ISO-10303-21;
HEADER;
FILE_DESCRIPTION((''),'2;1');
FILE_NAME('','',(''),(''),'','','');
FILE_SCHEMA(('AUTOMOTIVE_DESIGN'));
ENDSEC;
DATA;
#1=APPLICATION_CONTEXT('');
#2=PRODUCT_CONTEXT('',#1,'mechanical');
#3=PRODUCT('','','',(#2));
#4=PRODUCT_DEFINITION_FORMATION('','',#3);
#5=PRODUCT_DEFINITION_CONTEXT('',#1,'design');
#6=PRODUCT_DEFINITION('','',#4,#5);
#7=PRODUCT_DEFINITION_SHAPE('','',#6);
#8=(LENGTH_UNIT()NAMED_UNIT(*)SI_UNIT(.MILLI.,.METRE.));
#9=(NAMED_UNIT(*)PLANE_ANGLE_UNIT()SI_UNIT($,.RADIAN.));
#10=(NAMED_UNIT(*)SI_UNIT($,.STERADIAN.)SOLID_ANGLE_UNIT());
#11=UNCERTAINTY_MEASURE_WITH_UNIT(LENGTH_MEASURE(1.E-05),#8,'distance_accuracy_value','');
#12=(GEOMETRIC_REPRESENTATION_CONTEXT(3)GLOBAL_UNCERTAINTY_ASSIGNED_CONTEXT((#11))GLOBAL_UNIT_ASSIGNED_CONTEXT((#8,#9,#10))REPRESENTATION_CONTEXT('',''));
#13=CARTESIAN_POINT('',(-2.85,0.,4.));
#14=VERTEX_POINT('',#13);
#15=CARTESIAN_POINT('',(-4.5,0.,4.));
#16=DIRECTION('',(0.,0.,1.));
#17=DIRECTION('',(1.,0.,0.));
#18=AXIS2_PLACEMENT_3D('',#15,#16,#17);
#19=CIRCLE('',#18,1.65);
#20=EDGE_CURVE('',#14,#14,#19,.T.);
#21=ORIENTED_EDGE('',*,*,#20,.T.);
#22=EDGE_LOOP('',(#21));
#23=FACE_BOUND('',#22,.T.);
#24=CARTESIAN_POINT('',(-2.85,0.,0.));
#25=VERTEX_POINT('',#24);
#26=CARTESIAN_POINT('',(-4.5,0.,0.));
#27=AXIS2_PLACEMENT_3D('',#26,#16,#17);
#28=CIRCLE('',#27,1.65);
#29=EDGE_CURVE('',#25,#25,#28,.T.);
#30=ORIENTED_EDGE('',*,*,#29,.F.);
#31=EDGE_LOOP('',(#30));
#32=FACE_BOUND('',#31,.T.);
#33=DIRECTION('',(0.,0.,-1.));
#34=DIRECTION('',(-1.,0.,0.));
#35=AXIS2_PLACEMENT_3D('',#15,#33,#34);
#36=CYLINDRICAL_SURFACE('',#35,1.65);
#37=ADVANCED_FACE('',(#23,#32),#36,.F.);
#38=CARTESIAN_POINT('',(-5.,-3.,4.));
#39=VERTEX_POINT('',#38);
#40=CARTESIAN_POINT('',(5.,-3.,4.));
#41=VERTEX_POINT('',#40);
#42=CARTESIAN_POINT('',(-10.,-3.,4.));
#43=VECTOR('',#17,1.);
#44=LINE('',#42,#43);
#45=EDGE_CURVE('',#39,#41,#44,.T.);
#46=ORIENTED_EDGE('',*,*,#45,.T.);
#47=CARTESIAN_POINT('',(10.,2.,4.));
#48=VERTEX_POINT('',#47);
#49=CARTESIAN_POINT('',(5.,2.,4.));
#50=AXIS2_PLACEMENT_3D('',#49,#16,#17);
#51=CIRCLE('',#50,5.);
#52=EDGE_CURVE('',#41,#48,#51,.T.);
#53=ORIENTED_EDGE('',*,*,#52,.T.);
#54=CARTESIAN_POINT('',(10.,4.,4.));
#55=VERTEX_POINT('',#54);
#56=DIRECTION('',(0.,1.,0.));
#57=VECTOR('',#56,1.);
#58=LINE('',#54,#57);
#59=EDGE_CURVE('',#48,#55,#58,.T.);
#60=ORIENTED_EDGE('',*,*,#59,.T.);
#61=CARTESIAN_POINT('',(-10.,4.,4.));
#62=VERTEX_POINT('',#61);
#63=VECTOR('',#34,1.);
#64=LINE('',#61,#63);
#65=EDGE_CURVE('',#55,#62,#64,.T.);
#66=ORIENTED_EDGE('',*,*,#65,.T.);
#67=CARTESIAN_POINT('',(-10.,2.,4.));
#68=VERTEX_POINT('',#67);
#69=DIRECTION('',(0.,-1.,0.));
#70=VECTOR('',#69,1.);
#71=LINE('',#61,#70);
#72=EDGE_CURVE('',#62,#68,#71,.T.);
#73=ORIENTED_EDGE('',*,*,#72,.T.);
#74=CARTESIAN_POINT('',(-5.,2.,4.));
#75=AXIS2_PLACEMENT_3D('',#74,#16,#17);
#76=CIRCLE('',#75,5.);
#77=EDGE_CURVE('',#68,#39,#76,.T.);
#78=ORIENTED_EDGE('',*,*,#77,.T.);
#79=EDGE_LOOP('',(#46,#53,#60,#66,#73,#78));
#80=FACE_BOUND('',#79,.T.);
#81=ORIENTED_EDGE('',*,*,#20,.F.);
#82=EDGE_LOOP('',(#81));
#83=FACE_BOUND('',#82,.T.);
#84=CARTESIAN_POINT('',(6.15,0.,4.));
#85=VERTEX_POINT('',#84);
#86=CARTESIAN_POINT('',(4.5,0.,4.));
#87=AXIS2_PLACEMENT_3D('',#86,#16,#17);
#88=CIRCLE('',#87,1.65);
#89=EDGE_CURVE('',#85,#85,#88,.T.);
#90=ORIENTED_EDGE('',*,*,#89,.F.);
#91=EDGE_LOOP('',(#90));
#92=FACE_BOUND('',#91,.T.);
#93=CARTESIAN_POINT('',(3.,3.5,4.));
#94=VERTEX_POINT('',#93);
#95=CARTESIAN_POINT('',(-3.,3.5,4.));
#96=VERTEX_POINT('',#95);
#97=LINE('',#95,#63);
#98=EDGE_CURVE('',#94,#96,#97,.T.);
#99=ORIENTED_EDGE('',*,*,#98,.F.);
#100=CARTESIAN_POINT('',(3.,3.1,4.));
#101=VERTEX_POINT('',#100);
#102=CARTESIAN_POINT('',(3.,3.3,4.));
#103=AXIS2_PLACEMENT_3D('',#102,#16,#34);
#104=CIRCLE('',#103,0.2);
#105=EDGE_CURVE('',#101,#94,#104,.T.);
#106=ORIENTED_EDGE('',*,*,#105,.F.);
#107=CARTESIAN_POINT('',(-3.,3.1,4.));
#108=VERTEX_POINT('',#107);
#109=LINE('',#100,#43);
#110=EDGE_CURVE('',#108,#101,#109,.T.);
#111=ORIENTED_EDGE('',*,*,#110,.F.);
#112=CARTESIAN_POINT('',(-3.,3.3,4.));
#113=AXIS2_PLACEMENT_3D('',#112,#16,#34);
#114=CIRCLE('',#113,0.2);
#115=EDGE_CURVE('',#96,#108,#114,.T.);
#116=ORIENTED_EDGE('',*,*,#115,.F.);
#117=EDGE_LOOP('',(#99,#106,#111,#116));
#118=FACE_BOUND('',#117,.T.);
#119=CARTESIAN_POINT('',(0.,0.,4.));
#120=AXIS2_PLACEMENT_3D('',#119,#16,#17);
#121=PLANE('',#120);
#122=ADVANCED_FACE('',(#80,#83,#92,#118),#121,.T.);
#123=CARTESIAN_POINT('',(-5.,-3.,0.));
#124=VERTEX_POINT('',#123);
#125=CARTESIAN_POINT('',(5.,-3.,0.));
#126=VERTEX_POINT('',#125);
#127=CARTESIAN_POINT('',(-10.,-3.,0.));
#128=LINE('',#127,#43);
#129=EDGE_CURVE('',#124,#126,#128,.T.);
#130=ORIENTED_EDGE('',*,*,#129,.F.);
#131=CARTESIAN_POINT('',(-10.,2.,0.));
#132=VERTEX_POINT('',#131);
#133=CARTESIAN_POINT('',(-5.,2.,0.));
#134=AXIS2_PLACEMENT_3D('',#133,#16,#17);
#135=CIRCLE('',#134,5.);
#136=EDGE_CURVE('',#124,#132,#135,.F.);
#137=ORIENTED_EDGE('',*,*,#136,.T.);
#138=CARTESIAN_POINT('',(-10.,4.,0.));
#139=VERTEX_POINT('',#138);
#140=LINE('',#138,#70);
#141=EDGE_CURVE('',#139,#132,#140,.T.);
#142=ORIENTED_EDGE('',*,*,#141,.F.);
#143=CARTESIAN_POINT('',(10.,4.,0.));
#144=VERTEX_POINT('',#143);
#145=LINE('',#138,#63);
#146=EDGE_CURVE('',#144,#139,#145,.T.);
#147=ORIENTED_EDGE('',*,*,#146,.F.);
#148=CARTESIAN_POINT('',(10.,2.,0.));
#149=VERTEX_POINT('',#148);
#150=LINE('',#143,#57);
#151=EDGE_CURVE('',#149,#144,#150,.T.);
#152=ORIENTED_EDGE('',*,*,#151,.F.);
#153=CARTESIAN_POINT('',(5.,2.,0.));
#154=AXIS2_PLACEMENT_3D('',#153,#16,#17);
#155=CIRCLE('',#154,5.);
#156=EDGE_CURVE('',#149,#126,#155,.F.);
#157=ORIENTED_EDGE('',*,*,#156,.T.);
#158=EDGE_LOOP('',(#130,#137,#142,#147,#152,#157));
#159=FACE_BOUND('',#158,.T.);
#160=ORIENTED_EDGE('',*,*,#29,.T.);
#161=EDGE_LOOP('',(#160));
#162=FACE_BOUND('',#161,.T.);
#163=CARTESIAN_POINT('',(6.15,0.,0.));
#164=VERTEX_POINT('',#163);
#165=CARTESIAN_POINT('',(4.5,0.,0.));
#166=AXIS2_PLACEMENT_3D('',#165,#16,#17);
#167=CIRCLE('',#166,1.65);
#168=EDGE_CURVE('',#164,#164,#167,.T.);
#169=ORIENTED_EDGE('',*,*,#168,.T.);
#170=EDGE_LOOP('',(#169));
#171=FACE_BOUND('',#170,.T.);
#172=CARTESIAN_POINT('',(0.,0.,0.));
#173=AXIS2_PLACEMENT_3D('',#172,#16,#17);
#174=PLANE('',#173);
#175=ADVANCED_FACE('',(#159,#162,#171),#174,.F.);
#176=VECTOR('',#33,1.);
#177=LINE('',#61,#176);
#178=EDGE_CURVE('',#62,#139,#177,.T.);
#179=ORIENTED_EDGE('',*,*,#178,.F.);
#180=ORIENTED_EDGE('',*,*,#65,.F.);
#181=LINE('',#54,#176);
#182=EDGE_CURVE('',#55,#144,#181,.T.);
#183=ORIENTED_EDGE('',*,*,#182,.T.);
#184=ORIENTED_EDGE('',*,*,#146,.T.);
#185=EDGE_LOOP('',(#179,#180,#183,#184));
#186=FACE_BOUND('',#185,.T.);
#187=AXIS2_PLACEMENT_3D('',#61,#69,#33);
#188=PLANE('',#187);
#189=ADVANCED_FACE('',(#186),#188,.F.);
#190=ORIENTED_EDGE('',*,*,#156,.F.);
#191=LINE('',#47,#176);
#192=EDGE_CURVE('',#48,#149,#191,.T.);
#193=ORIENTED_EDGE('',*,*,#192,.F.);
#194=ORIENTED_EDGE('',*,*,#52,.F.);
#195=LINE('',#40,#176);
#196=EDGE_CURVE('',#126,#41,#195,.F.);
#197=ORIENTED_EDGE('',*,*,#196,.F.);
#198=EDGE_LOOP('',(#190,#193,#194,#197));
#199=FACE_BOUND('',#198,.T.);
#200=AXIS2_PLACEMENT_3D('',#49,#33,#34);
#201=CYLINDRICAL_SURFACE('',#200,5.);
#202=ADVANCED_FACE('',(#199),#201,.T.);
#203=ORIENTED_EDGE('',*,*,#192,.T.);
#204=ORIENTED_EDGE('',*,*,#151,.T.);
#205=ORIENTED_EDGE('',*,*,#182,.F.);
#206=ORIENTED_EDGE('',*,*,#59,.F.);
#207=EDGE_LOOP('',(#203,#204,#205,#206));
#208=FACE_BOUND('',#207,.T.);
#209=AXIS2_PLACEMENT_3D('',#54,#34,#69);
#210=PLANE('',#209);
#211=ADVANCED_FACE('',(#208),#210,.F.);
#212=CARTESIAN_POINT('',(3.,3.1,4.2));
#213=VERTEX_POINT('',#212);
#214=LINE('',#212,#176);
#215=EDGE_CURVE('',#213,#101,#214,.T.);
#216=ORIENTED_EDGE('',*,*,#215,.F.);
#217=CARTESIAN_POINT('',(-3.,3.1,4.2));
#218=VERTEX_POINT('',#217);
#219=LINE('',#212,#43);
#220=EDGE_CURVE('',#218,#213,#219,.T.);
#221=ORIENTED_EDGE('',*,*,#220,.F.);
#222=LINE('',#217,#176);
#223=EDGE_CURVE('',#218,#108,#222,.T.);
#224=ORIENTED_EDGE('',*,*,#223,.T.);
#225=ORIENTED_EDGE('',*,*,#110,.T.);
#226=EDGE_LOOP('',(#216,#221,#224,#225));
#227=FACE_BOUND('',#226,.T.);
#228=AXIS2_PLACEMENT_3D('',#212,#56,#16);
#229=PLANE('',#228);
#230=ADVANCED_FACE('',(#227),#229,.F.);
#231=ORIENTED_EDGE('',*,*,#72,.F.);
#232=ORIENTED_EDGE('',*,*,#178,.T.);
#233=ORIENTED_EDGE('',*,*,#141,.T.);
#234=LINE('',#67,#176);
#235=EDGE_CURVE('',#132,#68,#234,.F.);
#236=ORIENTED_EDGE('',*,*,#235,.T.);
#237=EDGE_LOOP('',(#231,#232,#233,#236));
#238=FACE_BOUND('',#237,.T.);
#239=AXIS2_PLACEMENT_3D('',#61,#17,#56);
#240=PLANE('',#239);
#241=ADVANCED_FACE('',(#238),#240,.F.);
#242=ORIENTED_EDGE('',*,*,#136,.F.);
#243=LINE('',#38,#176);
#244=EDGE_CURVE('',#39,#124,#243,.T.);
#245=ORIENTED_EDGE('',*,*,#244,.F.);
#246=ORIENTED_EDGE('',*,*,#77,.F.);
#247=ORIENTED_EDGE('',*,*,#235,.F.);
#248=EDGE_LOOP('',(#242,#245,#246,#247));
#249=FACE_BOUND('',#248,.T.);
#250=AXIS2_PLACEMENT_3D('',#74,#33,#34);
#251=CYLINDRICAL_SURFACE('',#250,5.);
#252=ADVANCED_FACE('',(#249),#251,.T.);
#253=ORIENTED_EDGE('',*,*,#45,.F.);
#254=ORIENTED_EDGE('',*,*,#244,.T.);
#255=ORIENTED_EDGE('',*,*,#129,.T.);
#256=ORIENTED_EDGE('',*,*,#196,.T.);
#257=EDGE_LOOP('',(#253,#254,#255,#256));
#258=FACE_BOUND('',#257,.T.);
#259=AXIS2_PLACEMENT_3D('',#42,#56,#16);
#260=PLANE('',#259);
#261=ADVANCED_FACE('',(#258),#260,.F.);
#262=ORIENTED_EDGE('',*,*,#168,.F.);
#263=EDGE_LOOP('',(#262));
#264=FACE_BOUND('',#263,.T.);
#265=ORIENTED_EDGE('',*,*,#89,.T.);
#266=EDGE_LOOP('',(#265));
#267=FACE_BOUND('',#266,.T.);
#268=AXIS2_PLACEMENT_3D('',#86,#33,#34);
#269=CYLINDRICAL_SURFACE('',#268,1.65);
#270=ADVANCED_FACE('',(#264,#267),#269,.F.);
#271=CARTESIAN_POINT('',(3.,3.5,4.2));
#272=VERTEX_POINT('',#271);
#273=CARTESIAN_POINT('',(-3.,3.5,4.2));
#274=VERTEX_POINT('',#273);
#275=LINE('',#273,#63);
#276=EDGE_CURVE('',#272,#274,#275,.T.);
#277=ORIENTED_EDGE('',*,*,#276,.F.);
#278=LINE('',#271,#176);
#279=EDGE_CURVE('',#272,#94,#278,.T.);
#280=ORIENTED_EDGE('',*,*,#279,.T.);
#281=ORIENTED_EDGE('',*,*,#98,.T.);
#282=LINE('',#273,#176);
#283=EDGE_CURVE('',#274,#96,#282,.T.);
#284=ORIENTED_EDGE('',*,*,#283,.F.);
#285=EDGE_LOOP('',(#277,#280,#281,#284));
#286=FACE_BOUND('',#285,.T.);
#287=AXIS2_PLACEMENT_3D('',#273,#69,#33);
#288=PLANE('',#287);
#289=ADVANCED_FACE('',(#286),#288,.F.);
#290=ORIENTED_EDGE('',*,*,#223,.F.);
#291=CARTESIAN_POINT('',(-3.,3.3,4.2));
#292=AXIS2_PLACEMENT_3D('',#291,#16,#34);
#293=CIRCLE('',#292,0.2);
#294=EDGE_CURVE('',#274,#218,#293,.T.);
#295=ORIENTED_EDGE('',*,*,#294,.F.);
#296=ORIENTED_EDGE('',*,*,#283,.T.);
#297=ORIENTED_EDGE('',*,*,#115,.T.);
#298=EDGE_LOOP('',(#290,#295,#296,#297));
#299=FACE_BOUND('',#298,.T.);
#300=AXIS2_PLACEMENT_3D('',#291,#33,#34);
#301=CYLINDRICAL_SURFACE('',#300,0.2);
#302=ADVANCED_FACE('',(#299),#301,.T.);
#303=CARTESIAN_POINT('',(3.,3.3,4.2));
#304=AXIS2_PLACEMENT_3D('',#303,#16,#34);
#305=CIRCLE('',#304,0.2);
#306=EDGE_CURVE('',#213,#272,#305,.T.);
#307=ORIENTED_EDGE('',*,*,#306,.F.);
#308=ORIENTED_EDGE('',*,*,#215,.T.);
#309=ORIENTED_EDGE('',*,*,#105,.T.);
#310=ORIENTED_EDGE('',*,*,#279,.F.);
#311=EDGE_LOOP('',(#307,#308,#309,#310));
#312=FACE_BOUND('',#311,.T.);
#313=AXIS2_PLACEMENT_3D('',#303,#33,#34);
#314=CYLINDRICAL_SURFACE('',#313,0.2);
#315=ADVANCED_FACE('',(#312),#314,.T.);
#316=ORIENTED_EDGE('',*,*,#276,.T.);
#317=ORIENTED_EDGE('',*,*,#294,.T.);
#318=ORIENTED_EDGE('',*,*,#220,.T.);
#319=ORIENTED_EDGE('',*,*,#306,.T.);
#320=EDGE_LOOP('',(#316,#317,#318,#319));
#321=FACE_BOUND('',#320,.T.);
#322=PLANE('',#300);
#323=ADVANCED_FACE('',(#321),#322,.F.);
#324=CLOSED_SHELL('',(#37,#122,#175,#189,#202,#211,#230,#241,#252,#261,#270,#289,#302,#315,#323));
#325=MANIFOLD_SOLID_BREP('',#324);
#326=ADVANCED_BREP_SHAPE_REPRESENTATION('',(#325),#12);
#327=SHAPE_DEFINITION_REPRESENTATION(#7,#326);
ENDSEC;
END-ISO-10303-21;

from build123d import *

# Parameters (mm, degrees)
SKETCH1_W           = 20
SKETCH1_H           = 7
SKETCH1_R           = 1.65
BOSS_EXTRUDE1_DEPTH = 4
BOSS_EXTRUDE2_DEPTH = 0.2
FILLET1_R           = 5


with BuildPart() as part:
    # Sketch1 → Boss-Extrude1 (new body)
    with BuildSketch(Plane.XY):
        with Locations((0, 0.5)):
            Rectangle(SKETCH1_W, SKETCH1_H)
        with Locations((-4.5, 0)):
            Circle(SKETCH1_R, mode=Mode.SUBTRACT)
        with Locations((4.5, 0)):
            Circle(SKETCH1_R, mode=Mode.SUBTRACT)
    extrude(amount=BOSS_EXTRUDE1_DEPTH)

    # Sketch2 → Boss-Extrude2 (add)
    with BuildSketch(Plane.XY.offset(4)):
        with BuildLine():
            Line((-3, 3.5), (3, 3.5))
            ThreePointArc((3, 3.5), (3.2, 3.3), (3, 3.1))
            Line((3, 3.1), (-3, 3.1))
            ThreePointArc((-3, 3.1), (-3.2, 3.3), (-3, 3.5))
        make_face()
    extrude(amount=BOSS_EXTRUDE2_DEPTH)

    # Fillet1
    fillet1_edges = [part.edges().sort_by_distance(p)[0] for p in [
        (10, -3, 2),
        (-10, -3, 2),
    ]]
    fillet(fillet1_edges, radius=FILLET1_R)


solid = part.part
